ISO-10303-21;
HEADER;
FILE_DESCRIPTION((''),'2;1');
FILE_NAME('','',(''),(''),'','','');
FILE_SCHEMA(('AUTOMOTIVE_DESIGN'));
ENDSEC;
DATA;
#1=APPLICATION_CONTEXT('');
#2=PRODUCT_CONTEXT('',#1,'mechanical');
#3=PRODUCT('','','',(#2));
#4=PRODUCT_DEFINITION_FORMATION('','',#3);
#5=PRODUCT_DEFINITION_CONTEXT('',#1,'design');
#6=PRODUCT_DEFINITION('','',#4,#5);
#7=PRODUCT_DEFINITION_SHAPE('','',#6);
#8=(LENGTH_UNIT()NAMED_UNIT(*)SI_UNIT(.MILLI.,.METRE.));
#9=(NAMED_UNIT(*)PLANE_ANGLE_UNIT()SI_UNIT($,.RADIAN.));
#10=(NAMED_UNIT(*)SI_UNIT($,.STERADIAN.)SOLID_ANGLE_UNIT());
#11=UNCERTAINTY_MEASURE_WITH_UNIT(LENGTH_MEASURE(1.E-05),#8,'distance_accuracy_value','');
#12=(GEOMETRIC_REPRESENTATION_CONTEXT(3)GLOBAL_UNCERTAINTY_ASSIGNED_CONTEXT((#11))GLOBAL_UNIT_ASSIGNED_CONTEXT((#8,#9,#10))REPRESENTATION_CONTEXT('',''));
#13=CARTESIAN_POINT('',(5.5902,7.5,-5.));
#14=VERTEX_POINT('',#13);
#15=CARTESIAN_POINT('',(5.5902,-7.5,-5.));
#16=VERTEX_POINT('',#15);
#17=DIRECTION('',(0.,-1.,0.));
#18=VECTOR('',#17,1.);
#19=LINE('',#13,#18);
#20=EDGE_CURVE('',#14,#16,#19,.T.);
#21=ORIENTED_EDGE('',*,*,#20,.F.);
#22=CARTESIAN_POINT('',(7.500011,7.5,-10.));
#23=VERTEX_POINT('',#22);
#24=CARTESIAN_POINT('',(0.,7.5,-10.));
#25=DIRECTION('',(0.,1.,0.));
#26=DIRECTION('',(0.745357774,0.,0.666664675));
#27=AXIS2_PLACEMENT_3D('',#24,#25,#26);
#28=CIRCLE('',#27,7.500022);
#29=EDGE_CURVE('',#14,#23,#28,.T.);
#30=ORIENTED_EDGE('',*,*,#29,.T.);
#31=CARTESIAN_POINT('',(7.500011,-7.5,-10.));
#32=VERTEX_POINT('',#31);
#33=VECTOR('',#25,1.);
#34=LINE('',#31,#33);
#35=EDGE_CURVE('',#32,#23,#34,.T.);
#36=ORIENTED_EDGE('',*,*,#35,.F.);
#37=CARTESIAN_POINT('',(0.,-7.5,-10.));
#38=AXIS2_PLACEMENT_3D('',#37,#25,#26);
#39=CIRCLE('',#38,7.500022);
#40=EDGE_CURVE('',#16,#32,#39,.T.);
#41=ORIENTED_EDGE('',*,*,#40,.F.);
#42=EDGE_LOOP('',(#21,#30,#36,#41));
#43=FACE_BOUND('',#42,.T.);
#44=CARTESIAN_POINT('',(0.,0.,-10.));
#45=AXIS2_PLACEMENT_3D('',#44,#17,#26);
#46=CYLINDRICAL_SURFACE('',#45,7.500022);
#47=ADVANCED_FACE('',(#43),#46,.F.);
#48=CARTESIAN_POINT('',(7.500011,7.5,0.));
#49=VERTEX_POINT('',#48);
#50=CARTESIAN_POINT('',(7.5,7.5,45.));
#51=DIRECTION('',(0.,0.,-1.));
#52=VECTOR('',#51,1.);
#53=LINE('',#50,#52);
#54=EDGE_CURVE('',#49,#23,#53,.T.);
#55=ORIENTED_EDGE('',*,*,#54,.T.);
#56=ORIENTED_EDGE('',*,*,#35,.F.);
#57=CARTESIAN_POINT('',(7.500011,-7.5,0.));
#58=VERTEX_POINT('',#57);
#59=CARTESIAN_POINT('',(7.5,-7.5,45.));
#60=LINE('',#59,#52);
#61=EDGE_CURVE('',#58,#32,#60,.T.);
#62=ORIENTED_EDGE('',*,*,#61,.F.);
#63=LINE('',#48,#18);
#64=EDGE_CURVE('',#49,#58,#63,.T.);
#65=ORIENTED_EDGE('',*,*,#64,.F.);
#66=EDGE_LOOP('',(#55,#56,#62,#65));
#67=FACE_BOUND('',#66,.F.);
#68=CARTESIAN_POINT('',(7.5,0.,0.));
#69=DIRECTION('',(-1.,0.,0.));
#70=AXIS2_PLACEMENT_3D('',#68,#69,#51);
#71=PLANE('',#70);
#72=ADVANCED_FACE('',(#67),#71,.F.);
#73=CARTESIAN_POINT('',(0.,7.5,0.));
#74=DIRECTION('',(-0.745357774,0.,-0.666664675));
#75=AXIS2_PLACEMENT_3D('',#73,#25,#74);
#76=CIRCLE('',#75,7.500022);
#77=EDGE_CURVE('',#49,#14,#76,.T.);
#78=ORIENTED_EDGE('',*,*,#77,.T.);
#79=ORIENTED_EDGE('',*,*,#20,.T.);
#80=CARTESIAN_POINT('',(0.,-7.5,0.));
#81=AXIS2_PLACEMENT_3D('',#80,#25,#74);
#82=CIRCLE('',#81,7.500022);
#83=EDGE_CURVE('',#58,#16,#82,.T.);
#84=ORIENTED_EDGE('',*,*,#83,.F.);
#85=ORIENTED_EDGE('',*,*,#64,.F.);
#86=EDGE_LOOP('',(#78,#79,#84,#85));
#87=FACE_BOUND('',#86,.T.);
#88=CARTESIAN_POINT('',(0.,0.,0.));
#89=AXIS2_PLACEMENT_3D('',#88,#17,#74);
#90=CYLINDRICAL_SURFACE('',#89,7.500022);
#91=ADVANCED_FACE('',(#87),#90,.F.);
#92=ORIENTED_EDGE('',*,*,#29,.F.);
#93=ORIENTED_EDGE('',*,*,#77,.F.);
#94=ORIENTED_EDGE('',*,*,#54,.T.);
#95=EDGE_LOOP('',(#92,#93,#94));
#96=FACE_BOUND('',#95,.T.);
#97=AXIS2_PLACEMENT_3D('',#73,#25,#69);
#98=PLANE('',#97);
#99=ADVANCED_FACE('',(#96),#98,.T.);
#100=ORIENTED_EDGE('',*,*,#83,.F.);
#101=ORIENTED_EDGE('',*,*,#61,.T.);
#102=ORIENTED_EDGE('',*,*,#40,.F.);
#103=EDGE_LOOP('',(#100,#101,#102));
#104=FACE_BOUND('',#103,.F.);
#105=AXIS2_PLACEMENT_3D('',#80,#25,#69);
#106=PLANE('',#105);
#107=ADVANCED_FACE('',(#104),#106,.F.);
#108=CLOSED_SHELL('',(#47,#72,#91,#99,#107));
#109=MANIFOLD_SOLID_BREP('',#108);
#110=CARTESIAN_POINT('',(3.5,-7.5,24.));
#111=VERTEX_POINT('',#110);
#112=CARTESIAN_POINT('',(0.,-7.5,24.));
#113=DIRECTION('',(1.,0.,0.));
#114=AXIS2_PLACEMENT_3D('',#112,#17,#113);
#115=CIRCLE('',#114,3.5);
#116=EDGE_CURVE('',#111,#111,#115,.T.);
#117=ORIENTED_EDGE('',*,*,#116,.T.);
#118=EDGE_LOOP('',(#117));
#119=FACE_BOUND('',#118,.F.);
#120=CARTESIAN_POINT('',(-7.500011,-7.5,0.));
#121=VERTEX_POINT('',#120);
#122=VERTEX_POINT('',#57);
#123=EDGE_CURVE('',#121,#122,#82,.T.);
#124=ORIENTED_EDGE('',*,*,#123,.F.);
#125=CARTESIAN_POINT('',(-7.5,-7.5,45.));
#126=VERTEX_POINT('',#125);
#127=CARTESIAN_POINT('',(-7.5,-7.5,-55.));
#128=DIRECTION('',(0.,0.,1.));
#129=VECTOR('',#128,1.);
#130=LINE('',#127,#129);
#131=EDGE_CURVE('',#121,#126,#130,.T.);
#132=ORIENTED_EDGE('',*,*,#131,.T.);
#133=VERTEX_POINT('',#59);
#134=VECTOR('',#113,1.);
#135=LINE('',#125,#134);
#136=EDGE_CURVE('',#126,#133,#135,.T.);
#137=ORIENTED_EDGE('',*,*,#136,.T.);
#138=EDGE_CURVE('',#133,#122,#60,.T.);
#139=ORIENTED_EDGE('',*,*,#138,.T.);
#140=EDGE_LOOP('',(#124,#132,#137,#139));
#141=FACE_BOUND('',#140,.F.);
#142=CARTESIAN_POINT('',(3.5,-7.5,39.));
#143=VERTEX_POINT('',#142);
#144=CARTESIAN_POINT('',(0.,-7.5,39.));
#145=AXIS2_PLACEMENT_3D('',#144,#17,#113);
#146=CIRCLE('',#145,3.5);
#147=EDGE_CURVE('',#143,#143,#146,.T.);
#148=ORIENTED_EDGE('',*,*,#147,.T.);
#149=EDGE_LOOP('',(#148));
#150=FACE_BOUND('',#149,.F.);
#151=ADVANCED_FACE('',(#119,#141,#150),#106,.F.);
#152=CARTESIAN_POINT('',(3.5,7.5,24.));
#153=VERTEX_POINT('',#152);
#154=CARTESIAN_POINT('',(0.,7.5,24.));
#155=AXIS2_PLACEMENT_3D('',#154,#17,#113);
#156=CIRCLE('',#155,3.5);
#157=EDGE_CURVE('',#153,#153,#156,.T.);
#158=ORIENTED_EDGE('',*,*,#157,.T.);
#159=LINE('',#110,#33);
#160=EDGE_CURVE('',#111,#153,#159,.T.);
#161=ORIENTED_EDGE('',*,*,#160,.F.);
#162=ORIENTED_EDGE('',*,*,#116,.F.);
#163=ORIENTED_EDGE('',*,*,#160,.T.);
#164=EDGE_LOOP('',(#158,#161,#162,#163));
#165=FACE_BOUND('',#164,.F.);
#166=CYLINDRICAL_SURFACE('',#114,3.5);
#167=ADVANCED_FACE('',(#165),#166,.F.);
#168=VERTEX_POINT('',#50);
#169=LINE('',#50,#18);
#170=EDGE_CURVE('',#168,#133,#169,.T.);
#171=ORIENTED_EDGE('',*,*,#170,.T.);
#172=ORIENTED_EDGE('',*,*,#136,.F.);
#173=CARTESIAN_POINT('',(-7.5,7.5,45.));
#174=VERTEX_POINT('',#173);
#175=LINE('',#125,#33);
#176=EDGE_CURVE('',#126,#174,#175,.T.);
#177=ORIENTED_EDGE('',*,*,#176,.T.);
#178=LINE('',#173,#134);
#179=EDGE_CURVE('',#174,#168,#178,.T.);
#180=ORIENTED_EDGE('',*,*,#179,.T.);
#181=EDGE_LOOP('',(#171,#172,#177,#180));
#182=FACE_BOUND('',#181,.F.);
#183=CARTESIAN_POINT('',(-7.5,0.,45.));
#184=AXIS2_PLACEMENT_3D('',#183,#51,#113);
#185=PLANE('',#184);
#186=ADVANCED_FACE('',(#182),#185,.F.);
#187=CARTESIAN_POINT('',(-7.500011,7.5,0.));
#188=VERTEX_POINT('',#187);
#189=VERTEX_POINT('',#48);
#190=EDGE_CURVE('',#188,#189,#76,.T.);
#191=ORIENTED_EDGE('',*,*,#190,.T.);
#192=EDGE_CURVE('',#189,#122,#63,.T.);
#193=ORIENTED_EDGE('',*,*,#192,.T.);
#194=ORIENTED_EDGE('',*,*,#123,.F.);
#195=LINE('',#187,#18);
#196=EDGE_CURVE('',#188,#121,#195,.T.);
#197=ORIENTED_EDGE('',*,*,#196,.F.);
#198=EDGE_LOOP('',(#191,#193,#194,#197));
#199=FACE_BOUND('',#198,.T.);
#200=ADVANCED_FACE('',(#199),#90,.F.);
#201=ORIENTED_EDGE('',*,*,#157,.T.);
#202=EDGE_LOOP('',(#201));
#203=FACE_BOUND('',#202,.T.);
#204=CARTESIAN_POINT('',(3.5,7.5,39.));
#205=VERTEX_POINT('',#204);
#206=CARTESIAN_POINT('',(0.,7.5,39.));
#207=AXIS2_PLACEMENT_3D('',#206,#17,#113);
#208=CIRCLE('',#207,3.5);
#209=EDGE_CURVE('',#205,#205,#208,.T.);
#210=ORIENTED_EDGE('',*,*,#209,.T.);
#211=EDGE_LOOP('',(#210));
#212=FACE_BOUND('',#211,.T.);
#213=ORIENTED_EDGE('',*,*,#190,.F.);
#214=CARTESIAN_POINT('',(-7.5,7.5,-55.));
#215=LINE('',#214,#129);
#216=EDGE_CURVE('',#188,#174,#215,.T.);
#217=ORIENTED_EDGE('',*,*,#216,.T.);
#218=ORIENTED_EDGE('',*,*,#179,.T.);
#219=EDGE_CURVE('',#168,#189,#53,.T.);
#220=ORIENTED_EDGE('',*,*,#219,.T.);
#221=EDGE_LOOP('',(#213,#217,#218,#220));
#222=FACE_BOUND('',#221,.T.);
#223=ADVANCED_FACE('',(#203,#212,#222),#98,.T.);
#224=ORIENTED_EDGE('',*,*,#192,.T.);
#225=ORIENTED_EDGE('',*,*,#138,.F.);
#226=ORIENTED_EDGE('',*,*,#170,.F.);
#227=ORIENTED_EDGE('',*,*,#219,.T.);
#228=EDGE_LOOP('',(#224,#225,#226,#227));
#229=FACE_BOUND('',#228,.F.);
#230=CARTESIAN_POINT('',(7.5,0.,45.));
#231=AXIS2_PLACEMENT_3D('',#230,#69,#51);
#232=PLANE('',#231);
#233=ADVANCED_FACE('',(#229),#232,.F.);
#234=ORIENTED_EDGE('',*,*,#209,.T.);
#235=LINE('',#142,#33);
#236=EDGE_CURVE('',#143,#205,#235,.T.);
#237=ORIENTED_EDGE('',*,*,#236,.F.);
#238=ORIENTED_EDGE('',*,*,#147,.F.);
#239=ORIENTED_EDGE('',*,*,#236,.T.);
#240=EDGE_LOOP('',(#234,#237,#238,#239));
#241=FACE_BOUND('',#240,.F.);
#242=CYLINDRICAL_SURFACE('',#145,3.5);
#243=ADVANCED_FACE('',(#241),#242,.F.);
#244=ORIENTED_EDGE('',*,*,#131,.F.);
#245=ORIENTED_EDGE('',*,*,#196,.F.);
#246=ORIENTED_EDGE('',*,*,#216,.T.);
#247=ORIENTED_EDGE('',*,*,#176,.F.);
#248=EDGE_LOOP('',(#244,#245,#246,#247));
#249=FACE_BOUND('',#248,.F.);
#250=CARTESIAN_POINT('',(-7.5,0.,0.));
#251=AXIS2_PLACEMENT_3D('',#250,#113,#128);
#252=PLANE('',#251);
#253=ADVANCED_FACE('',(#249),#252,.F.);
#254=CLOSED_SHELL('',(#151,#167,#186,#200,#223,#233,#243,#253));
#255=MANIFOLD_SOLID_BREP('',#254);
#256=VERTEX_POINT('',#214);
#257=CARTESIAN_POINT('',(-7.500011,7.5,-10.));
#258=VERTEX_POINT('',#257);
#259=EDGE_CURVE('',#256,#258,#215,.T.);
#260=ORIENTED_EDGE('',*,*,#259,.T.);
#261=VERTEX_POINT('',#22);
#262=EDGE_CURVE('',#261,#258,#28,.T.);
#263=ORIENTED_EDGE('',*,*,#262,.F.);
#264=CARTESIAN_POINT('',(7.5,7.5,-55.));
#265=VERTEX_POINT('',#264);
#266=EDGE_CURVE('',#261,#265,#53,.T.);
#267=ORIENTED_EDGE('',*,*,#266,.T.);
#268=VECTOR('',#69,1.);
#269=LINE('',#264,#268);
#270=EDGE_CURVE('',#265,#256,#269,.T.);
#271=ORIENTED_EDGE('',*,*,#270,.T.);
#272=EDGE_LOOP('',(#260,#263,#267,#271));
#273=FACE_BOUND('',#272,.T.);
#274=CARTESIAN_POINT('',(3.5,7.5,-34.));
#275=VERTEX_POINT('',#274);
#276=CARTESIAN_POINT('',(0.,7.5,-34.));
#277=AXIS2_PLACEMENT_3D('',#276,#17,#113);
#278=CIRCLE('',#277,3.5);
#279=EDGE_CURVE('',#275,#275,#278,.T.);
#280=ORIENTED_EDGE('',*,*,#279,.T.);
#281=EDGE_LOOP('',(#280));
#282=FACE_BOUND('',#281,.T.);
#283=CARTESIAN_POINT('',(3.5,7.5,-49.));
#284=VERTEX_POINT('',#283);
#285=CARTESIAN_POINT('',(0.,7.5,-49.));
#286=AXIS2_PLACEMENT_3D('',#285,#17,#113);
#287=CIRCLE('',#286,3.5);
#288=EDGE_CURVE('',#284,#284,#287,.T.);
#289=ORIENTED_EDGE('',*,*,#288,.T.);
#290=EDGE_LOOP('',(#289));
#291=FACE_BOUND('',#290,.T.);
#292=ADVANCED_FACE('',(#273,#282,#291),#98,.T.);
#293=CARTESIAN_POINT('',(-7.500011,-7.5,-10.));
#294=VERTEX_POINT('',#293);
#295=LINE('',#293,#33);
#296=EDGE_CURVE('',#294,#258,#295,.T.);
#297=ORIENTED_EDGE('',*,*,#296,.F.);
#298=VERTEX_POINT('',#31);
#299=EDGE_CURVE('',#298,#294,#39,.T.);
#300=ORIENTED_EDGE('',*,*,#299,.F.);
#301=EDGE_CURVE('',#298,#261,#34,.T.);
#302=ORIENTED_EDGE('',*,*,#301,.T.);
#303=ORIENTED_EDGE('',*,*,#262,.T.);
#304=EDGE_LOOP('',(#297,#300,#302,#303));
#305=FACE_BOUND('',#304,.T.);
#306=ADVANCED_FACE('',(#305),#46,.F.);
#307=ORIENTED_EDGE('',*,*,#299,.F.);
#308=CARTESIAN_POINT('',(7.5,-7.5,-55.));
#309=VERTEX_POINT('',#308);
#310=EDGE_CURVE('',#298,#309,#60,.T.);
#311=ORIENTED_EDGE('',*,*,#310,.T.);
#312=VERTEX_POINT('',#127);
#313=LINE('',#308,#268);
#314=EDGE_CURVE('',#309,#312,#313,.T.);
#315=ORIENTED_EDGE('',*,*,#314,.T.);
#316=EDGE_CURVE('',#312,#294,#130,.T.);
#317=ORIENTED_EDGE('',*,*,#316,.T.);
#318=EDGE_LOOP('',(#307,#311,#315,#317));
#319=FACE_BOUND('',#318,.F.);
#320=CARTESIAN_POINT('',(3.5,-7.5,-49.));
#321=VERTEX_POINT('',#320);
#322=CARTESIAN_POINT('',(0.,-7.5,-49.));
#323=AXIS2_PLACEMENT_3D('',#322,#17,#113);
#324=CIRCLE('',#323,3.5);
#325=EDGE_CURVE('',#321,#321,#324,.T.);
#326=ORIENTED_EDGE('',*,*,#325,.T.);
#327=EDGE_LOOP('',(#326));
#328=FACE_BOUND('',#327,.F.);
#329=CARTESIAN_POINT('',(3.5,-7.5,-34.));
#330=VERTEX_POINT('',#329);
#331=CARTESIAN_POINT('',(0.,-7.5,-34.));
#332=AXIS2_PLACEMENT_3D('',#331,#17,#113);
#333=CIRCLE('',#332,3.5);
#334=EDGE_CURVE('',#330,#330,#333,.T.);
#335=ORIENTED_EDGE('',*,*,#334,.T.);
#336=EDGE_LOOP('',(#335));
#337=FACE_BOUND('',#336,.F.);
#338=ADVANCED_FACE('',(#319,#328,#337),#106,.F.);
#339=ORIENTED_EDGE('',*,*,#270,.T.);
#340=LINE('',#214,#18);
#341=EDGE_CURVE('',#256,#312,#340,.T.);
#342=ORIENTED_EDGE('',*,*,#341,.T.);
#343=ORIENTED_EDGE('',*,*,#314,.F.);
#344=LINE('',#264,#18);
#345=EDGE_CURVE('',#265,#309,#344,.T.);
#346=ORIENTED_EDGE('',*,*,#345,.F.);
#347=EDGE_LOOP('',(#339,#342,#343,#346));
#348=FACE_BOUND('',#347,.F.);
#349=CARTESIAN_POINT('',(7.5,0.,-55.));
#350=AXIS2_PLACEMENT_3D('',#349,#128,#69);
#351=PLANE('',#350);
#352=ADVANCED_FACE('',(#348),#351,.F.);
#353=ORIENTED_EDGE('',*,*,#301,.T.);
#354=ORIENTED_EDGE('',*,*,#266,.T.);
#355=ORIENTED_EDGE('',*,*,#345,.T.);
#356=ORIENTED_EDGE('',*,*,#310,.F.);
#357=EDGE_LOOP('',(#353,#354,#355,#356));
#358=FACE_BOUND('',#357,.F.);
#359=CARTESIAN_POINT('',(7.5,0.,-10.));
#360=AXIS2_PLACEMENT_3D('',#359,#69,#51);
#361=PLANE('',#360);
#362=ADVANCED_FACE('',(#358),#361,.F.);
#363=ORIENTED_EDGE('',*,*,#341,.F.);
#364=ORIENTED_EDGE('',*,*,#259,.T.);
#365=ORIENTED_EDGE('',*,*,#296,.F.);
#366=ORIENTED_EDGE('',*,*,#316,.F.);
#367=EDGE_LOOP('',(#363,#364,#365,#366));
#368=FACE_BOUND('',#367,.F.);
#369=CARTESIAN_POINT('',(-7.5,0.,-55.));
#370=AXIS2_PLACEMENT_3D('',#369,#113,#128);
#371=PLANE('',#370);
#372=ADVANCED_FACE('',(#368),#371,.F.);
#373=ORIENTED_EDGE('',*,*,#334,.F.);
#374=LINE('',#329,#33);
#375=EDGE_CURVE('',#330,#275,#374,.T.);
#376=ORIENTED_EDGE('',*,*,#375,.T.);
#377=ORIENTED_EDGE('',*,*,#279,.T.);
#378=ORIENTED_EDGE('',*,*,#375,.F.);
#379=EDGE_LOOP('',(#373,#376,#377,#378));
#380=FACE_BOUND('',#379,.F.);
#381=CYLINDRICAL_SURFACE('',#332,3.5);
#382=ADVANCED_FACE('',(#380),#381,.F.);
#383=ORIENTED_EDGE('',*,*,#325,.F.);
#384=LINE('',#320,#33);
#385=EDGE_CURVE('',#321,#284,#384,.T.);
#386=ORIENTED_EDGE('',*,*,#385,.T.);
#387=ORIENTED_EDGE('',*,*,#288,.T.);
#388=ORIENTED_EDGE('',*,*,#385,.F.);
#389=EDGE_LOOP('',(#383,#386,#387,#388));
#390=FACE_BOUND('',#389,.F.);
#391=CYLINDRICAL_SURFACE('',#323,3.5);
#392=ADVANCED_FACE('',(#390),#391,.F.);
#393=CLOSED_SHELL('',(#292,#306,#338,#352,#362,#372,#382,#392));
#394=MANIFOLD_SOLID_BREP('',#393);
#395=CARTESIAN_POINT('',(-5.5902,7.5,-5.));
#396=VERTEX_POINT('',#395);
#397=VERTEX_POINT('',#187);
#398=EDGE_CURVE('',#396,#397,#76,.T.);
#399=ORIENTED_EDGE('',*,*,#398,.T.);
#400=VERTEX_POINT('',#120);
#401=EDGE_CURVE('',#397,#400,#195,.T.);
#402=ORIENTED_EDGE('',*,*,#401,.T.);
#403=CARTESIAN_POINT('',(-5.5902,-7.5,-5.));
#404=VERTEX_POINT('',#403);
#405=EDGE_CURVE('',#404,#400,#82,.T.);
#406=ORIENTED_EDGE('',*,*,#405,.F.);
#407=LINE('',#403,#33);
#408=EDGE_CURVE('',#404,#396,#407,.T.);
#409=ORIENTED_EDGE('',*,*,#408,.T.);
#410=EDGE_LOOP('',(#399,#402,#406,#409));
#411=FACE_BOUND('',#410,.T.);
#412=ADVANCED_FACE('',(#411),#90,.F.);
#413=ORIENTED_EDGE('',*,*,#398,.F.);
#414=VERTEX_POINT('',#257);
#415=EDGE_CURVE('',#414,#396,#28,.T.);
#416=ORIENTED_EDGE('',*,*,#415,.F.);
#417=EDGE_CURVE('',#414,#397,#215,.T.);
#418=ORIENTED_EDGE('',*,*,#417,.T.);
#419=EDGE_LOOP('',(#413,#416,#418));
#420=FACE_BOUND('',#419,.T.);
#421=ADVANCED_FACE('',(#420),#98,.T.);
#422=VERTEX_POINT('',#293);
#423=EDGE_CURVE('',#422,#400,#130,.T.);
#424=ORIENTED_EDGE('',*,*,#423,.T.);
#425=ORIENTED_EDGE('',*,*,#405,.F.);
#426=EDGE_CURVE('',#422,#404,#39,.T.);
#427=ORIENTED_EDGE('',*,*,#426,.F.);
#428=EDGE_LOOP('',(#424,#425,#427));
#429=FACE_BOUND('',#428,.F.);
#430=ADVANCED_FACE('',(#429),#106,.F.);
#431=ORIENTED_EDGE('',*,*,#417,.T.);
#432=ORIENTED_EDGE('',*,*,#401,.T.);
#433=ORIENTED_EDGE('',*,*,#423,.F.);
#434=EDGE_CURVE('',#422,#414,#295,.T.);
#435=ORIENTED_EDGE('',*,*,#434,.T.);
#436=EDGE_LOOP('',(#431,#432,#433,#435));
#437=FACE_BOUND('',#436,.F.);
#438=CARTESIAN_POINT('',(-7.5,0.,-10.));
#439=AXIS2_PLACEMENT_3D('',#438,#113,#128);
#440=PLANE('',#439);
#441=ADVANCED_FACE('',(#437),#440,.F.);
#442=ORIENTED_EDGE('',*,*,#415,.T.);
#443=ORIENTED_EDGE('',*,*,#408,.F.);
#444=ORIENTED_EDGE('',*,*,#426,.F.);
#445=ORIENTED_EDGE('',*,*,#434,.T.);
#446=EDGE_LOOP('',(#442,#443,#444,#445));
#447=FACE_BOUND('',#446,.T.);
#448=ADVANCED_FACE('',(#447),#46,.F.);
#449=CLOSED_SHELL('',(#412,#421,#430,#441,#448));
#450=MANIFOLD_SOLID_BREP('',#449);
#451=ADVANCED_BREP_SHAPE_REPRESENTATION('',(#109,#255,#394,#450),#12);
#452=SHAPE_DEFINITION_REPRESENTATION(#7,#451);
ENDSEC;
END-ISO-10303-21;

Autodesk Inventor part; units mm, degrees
ref_plane "YZ Plane" through (0, 0, 0) normal (1, 0, 0) x (0, 1, 0)
ref_plane "XZ Plane" through (0, 0, 0) normal (0, 1, 0) x (-1, 0, 0)
ref_plane "XY Plane" through (0, 0, 0) normal (0, 0, 1) x (1, 0, 0)
sketch "Sketch2" plane through (0, 0, 0) normal (0, 1, 0) x (-1, 0, 0)
  arc A0 (5.5902, -5) -> (-5.5902, -5) centre (0, 0) ccw
  arc A1 (-5.5902, -5) -> (5.5902, -5) centre (0, -10) ccw
  line L0 (7.5, 45) -> (-7.5, 45)
  line L1 (-7.5, 45) -> (-7.5, -55)
  line L2 (-7.5, -55) -> (7.5, -55)
  line L3 (7.5, -55) -> (7.5, 45)
  dimension "d0" = 15
  dimension "d1" = 15
  dimension "d2" = 10
  dimension "d3" = 15
  dimension "d4" = 7.5
  dimension "d5" = 100
  dimension "d6" = 50
  dimension "d7" = 55
extrude "Extrusion1" add sketch "Sketch2" along normal mid plane 15 contours A0 L3 A1 | A0 L1 L0 L3 | L3 L2 L1 A1 | A0 A1 L1
sketch "Sketch3" plane through (0, -7.5, 0) normal (0, -1, 0) x (1, 0, 0)
  circle A0 centre (0, -49) radius 3.5
  circle A1 centre (0, -34) radius 3.5
  line L0 (7.5, -55) -> (7.5, -10) projected
  line L1 (-7.5, -55) -> (7.5, -55) projected
  circle A2 centre (0, 24) radius 3.5
  circle A3 centre (0, 39) radius 3.5
  line L2 (7.5, 45) -> (-7.5, 45) projected
  point P0 (0, 0)
  dimension "d10" = 7
  dimension "d11" = 7
  dimension "d12" = 15
  dimension "d13" = 7.5
  dimension "d14" = 6
  dimension "d15" = 21
  dimension "d16" = 7
  dimension "d17" = 7
  dimension "d18" = 15
  dimension "d19" = 6
  dimension "d20" = 7.5
  dimension "d21" = 21
extrude "Extrusion2" cut sketch "Sketch3" against normal blind 15
thread "Thread1" size "M7x1" class "6H" standard "ANSI Metric M Profile" full length
thread "Thread2" size "M7x1" class "6H" standard "ANSI Metric M Profile" full length
thread "Thread3" size "M7x1" class "6H" standard "ANSI Metric M Profile" full length
thread "Thread4" size "M7x1" class "6H" standard "ANSI Metric M Profile" full length
properties part number "Load cell" material "Aluminum 6061"
